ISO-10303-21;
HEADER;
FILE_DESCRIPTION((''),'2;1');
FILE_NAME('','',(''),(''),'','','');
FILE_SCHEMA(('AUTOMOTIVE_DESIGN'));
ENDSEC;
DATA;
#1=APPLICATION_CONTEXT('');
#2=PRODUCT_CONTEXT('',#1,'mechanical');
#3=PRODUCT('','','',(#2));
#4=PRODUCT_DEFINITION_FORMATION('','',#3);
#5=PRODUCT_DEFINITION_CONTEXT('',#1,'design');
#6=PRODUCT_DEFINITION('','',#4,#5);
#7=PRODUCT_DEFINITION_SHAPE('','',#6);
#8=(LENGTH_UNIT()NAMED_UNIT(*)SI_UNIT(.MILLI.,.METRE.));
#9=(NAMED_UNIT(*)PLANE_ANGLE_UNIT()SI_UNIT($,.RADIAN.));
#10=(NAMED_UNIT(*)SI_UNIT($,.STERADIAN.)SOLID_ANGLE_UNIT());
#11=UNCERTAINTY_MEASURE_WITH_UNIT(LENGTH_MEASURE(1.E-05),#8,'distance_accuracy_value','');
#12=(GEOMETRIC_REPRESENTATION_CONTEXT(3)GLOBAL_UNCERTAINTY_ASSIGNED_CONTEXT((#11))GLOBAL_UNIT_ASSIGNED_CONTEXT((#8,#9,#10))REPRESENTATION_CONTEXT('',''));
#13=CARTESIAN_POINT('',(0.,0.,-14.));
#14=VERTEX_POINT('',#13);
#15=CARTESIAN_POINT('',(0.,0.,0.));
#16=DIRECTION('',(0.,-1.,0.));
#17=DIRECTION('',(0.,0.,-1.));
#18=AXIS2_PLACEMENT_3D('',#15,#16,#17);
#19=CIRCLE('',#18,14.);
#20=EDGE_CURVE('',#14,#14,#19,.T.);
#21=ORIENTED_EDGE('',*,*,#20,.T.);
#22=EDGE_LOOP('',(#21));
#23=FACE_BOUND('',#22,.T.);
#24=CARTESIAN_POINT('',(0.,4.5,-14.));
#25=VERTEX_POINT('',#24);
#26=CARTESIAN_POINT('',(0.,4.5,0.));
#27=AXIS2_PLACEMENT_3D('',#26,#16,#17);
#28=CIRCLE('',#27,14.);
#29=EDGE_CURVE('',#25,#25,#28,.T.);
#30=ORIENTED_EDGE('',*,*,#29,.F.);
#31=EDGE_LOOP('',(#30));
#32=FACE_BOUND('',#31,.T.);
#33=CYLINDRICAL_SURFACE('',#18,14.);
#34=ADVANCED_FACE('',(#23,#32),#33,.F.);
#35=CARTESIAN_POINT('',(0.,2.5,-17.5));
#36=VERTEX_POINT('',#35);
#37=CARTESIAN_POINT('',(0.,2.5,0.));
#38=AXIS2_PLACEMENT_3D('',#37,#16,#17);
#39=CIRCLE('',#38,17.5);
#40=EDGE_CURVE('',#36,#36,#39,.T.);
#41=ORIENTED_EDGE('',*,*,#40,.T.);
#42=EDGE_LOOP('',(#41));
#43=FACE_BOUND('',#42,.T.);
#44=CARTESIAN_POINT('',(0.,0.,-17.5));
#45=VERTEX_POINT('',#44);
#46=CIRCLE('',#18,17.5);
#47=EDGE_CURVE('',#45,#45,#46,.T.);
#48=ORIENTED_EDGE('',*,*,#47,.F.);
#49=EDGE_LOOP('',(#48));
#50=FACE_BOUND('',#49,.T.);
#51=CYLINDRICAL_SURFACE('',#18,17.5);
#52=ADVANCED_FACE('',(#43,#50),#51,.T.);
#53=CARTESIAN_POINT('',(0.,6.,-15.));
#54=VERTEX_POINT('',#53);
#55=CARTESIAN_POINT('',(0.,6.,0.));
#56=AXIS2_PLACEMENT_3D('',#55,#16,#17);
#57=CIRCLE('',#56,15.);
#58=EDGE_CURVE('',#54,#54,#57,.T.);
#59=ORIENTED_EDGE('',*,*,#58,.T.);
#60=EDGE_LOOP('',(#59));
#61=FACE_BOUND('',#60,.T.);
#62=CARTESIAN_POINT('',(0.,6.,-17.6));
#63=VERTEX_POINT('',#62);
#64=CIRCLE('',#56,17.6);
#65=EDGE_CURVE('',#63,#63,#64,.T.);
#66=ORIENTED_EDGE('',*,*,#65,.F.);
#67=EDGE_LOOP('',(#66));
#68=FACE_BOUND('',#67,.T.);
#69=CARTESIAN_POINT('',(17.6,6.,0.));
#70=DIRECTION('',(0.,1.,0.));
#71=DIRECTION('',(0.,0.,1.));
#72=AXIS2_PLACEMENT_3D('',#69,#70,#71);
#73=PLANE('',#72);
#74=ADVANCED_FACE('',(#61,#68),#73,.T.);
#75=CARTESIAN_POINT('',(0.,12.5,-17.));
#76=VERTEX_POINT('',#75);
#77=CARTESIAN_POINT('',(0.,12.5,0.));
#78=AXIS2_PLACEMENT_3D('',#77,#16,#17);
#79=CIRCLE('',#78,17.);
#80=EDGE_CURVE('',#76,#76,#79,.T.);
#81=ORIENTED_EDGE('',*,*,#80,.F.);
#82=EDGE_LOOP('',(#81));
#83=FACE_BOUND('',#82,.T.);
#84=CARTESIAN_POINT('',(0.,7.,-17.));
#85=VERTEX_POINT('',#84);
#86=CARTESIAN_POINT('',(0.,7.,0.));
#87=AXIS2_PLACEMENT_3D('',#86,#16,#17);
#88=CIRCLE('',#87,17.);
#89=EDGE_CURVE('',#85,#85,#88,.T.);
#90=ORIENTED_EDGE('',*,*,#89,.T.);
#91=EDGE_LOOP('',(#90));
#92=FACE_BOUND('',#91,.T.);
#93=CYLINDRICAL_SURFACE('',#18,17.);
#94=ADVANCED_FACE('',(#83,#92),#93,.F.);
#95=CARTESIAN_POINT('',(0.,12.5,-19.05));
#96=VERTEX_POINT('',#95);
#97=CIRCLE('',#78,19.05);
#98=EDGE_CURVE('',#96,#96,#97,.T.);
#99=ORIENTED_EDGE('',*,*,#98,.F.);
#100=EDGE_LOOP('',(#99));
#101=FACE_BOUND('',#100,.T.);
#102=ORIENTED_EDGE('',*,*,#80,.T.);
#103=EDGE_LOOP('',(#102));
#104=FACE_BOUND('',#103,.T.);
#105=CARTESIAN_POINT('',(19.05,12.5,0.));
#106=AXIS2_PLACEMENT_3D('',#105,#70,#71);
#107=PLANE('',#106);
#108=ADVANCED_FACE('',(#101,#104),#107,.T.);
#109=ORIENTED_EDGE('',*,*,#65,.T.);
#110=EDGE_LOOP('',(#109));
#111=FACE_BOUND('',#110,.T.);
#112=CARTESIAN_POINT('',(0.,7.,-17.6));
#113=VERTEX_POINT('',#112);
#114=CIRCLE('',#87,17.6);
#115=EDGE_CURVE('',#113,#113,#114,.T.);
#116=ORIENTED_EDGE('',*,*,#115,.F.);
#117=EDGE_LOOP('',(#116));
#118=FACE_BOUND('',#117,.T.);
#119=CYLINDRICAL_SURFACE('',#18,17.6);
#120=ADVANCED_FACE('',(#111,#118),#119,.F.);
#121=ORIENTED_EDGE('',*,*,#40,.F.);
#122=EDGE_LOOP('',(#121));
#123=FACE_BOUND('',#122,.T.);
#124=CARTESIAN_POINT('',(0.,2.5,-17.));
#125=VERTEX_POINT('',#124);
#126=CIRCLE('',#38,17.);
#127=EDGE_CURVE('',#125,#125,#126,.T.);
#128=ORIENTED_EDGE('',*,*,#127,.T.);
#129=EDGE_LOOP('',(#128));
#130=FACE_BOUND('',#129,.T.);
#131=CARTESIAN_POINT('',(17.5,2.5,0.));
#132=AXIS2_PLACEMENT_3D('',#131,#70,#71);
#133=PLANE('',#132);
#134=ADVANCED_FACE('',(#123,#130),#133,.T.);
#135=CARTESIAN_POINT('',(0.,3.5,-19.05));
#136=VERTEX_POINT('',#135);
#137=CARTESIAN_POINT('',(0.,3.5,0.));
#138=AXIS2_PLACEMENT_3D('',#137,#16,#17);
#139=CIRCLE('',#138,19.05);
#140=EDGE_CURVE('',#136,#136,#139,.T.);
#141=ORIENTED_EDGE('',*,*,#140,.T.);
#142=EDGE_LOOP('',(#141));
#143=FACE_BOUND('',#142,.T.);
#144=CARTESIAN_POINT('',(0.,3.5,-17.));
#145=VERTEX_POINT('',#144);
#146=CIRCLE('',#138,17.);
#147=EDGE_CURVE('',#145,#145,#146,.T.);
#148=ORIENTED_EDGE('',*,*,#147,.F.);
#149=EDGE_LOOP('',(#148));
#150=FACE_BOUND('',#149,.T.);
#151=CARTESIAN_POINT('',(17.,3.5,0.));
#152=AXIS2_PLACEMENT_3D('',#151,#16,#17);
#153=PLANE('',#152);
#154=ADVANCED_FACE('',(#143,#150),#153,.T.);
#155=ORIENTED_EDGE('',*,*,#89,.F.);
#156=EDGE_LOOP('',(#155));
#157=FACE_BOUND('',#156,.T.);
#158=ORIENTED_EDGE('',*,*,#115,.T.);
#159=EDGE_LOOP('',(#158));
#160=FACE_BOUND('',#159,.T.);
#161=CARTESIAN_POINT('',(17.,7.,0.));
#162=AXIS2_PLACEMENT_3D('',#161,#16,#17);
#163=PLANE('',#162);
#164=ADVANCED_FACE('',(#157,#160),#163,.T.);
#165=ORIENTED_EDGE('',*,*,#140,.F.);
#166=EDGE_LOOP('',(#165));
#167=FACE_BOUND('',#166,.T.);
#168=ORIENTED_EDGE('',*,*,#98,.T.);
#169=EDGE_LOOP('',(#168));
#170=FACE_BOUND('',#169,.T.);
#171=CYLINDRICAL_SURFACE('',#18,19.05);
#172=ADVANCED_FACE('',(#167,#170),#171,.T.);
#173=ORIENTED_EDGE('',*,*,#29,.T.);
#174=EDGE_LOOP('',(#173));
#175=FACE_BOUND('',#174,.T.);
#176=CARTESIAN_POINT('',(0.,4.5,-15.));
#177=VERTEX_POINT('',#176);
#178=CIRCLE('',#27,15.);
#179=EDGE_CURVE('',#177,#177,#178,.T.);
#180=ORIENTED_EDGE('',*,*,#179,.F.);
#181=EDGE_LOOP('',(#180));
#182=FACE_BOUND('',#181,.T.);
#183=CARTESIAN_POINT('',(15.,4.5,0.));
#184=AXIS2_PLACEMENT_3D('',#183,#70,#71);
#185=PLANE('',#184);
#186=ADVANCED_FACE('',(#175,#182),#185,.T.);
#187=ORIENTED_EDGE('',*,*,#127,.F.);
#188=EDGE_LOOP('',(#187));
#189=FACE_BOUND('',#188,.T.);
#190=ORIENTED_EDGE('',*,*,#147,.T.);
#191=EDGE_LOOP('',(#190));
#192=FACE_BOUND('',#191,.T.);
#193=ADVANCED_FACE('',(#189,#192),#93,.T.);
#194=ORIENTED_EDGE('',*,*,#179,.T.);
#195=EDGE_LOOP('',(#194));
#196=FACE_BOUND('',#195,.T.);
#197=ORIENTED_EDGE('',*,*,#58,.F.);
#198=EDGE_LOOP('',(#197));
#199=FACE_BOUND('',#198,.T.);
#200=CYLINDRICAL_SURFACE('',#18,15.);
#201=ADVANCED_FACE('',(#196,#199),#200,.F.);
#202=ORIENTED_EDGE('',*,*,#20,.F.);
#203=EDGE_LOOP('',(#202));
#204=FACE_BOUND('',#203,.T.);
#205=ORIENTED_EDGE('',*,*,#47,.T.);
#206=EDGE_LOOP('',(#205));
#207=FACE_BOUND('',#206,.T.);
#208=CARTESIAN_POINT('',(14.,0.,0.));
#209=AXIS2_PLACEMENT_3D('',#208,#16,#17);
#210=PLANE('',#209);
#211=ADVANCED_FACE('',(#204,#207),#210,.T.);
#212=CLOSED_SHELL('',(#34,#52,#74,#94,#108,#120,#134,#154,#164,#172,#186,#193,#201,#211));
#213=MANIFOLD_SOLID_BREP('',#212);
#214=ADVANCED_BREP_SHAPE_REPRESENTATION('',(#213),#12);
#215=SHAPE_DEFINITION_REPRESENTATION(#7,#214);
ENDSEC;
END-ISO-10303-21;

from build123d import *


with BuildPart() as part:
    # 草图1 → 旋转1 (revolve)
    with BuildSketch(Plane.XY, mode=Mode.PRIVATE) as revolve_1_sk:
        Polygon((14, 0), (17.5, 0), (17.5, 2.5), (17, 2.5), (17, 3.5), (19.05, 3.5), (19.05, 12.5), (17, 12.5), (17, 7), (17.6, 7), (17.6, 6), (15, 6), (15, 4.5), (14, 4.5), align=None)
    revolve(revolve_1_sk.sketch.rotate(Axis((0, 0, 0), (0, 1, 0)), 90), axis=Axis((0, 0, 0), (0, 1, 0)))  # turned: the seam where the file's is


solid = part.part
